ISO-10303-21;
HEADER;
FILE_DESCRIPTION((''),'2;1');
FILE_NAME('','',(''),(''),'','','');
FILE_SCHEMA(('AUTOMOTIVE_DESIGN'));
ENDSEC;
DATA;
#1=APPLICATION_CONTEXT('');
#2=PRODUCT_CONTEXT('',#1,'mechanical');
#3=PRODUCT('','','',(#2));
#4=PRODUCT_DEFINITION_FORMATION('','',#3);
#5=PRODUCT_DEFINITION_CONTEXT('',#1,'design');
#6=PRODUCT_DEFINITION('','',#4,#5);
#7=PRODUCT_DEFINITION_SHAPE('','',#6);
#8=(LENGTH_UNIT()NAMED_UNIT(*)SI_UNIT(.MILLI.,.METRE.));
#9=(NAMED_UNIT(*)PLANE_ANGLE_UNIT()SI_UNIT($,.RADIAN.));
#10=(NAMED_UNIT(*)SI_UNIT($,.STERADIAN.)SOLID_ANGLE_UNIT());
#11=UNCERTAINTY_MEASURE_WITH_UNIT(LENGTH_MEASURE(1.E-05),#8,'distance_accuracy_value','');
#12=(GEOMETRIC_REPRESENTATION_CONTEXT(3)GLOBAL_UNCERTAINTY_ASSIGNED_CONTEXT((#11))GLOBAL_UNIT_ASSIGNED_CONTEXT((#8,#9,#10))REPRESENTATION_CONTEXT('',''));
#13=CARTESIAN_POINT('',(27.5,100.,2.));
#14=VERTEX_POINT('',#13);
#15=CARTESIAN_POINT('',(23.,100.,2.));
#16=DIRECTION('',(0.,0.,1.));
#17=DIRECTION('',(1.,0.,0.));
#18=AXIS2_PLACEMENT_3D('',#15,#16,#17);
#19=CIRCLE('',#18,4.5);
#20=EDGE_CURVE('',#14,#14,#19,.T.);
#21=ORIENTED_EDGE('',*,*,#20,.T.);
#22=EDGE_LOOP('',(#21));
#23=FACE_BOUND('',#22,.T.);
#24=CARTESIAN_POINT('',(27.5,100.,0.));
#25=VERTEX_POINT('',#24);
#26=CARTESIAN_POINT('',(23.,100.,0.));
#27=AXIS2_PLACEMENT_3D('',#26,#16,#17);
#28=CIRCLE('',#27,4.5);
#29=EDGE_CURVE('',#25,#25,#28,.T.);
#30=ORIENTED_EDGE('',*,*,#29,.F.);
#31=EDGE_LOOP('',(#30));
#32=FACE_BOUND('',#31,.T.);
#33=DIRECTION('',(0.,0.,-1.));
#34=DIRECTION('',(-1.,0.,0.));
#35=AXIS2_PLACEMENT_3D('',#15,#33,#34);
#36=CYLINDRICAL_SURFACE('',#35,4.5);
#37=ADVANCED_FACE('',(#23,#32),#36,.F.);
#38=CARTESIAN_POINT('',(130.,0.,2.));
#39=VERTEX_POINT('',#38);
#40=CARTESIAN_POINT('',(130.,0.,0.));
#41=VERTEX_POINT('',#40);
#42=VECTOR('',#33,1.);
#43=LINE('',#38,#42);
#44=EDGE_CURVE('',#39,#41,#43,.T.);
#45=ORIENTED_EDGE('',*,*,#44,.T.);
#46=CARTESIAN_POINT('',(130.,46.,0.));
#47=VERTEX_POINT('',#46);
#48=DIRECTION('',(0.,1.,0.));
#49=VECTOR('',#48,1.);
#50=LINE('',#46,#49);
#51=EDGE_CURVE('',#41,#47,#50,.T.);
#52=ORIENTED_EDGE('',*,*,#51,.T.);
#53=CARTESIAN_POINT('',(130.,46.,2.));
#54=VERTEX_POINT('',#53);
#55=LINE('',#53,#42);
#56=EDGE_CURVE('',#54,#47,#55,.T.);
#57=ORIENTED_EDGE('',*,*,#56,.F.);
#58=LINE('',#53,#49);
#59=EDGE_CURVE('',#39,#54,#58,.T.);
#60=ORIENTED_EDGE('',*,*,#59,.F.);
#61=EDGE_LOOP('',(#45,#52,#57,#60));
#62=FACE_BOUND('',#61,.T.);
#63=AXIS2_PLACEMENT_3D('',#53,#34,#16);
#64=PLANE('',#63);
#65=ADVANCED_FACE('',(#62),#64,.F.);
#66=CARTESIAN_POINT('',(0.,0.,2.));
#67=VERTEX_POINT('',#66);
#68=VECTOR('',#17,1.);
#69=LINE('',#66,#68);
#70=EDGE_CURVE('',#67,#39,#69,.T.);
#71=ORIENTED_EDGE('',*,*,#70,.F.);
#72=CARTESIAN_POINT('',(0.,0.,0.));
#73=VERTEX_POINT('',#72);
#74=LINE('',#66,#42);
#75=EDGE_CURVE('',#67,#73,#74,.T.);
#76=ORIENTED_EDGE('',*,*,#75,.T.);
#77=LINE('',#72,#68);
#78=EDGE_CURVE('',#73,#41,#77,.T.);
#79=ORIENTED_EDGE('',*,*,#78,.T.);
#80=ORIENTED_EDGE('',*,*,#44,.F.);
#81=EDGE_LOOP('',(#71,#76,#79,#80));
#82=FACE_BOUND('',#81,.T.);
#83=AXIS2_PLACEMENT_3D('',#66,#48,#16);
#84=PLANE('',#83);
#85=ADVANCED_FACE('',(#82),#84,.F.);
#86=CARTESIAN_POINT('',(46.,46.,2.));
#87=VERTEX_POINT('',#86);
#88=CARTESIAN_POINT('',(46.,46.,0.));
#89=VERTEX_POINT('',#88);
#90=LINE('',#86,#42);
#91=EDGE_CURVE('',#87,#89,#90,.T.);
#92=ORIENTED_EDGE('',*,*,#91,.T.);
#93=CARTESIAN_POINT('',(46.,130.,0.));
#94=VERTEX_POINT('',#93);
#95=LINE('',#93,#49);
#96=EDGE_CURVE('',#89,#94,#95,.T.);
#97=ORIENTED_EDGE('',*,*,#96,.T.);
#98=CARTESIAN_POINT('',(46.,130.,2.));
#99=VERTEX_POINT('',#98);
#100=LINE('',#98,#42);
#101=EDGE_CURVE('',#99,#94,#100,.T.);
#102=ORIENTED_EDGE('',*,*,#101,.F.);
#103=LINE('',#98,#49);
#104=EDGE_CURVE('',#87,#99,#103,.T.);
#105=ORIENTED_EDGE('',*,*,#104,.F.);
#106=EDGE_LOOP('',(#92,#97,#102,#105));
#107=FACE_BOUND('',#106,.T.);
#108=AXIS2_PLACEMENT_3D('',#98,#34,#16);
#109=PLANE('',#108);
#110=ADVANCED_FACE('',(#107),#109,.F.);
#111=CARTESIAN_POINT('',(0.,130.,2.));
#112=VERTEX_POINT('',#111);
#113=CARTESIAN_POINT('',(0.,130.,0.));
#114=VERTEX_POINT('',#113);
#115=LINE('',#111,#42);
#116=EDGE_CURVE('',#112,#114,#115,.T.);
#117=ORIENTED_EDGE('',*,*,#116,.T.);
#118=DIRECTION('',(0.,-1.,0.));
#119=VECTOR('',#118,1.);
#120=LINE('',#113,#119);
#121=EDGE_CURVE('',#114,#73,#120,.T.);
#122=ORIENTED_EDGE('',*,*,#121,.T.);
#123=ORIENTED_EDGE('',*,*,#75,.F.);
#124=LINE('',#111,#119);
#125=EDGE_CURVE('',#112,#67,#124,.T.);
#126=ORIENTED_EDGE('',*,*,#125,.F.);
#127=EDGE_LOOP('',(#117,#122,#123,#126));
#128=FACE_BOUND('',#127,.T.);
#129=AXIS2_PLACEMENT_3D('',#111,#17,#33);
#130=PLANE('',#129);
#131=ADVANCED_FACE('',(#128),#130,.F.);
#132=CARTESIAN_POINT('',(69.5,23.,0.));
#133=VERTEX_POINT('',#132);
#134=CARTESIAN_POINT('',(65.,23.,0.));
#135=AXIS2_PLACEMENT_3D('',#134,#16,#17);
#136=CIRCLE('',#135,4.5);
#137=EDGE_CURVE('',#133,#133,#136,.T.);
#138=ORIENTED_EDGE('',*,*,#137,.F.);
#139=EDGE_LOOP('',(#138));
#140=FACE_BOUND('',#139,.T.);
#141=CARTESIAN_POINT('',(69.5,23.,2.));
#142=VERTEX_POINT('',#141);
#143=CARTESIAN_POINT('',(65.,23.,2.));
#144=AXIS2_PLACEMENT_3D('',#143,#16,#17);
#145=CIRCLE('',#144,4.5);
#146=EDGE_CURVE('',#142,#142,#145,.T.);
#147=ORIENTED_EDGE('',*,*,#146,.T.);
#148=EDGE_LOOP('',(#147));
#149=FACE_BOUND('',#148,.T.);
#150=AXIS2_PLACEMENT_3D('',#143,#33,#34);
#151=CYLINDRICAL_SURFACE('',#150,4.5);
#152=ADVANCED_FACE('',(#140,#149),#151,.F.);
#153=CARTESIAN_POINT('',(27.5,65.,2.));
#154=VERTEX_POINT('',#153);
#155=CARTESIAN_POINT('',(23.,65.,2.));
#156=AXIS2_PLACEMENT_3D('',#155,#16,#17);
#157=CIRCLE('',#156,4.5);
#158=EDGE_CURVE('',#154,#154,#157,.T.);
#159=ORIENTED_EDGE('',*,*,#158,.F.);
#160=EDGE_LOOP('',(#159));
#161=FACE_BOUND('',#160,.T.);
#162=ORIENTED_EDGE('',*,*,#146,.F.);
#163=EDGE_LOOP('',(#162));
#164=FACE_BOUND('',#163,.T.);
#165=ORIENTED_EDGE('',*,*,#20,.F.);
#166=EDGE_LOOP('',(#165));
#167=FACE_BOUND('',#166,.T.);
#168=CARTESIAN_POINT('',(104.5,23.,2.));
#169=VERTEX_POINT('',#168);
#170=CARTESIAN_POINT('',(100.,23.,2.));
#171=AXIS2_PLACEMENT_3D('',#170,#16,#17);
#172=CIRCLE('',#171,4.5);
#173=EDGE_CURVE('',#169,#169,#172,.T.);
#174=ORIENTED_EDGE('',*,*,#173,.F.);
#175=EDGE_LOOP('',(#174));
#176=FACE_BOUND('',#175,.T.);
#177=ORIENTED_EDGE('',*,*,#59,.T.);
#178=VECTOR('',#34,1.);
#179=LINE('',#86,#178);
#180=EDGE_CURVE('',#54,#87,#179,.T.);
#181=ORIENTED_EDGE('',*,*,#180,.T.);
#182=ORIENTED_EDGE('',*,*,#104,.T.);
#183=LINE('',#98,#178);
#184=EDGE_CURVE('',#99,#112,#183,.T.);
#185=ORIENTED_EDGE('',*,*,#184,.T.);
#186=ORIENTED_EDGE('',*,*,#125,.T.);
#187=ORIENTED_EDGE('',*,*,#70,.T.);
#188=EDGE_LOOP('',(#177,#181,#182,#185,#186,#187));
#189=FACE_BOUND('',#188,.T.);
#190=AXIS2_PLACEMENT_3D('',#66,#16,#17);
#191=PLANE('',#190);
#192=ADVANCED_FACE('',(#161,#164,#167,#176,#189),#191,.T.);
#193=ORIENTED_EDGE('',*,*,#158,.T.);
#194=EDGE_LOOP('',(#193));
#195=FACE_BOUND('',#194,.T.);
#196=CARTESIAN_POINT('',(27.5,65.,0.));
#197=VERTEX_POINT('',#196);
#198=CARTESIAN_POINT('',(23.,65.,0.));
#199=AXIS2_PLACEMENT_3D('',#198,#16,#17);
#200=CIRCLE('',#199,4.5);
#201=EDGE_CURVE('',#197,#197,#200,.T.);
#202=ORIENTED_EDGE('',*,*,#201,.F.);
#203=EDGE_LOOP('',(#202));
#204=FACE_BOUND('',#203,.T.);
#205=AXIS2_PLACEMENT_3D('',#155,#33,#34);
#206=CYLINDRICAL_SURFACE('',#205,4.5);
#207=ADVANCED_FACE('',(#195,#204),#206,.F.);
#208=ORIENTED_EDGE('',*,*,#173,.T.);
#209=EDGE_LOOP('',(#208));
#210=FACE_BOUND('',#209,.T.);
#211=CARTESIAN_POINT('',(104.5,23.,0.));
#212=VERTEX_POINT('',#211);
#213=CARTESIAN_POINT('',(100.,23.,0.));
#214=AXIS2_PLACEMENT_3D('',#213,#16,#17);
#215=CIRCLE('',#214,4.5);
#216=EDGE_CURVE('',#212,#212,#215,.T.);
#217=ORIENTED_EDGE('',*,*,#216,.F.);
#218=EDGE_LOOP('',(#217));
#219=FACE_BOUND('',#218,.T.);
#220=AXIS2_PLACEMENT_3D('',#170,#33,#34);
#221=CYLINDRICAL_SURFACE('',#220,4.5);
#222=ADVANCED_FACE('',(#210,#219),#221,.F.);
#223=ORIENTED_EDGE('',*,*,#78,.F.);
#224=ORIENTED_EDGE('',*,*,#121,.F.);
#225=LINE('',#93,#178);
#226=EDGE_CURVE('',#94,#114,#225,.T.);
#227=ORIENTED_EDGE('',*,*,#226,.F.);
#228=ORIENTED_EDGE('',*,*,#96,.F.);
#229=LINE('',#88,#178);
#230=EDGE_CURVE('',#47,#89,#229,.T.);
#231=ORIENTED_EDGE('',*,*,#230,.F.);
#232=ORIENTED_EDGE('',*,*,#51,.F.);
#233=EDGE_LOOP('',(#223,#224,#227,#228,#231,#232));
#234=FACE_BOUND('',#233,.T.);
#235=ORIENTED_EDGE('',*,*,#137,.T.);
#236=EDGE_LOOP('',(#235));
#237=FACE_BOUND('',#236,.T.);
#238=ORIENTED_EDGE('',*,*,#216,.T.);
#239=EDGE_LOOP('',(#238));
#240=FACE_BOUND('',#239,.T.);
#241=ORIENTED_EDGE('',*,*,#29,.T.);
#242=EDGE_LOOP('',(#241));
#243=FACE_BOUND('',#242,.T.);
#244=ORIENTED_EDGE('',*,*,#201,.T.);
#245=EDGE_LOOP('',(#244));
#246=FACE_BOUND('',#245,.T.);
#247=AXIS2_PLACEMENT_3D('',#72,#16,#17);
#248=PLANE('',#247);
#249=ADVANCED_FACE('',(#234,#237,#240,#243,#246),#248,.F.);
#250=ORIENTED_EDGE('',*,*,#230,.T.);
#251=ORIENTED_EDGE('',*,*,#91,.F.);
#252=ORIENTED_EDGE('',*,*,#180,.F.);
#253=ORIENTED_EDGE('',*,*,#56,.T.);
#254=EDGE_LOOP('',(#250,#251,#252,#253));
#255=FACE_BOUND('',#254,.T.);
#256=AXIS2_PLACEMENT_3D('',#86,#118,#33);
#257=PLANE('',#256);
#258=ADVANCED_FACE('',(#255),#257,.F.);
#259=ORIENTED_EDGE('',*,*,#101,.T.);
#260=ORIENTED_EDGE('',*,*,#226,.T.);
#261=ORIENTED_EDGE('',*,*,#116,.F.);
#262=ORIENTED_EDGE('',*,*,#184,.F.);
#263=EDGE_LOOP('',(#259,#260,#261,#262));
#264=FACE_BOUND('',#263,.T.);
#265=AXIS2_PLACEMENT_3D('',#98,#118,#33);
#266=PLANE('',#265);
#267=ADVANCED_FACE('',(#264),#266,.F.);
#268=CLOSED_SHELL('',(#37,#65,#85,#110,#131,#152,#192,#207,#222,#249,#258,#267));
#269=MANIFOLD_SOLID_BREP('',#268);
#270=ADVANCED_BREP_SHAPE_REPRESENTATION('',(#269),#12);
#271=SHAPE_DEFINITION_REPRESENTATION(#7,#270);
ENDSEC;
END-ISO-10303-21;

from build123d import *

# Parameters (mm, degrees)
SKETCH_1_R      = 4.5
EXTRUDE_1_DEPTH = 2


with BuildPart() as part:
    # 草图1 → 凸台-拉伸1 (new body)
    with BuildSketch(Plane.XY):
        Polygon((0, 130), (0, 0), (130, 0), (130, 46), (46, 46), (46, 130), align=None)
        with Locations((23, 100)):
            Circle(SKETCH_1_R, mode=Mode.SUBTRACT)
        with Locations((23, 65)):
            Circle(SKETCH_1_R, mode=Mode.SUBTRACT)
        with Locations((65, 23)):
            Circle(SKETCH_1_R, mode=Mode.SUBTRACT)
        with Locations((100, 23)):
            Circle(SKETCH_1_R, mode=Mode.SUBTRACT)
    extrude(amount=EXTRUDE_1_DEPTH)


solid = part.part
